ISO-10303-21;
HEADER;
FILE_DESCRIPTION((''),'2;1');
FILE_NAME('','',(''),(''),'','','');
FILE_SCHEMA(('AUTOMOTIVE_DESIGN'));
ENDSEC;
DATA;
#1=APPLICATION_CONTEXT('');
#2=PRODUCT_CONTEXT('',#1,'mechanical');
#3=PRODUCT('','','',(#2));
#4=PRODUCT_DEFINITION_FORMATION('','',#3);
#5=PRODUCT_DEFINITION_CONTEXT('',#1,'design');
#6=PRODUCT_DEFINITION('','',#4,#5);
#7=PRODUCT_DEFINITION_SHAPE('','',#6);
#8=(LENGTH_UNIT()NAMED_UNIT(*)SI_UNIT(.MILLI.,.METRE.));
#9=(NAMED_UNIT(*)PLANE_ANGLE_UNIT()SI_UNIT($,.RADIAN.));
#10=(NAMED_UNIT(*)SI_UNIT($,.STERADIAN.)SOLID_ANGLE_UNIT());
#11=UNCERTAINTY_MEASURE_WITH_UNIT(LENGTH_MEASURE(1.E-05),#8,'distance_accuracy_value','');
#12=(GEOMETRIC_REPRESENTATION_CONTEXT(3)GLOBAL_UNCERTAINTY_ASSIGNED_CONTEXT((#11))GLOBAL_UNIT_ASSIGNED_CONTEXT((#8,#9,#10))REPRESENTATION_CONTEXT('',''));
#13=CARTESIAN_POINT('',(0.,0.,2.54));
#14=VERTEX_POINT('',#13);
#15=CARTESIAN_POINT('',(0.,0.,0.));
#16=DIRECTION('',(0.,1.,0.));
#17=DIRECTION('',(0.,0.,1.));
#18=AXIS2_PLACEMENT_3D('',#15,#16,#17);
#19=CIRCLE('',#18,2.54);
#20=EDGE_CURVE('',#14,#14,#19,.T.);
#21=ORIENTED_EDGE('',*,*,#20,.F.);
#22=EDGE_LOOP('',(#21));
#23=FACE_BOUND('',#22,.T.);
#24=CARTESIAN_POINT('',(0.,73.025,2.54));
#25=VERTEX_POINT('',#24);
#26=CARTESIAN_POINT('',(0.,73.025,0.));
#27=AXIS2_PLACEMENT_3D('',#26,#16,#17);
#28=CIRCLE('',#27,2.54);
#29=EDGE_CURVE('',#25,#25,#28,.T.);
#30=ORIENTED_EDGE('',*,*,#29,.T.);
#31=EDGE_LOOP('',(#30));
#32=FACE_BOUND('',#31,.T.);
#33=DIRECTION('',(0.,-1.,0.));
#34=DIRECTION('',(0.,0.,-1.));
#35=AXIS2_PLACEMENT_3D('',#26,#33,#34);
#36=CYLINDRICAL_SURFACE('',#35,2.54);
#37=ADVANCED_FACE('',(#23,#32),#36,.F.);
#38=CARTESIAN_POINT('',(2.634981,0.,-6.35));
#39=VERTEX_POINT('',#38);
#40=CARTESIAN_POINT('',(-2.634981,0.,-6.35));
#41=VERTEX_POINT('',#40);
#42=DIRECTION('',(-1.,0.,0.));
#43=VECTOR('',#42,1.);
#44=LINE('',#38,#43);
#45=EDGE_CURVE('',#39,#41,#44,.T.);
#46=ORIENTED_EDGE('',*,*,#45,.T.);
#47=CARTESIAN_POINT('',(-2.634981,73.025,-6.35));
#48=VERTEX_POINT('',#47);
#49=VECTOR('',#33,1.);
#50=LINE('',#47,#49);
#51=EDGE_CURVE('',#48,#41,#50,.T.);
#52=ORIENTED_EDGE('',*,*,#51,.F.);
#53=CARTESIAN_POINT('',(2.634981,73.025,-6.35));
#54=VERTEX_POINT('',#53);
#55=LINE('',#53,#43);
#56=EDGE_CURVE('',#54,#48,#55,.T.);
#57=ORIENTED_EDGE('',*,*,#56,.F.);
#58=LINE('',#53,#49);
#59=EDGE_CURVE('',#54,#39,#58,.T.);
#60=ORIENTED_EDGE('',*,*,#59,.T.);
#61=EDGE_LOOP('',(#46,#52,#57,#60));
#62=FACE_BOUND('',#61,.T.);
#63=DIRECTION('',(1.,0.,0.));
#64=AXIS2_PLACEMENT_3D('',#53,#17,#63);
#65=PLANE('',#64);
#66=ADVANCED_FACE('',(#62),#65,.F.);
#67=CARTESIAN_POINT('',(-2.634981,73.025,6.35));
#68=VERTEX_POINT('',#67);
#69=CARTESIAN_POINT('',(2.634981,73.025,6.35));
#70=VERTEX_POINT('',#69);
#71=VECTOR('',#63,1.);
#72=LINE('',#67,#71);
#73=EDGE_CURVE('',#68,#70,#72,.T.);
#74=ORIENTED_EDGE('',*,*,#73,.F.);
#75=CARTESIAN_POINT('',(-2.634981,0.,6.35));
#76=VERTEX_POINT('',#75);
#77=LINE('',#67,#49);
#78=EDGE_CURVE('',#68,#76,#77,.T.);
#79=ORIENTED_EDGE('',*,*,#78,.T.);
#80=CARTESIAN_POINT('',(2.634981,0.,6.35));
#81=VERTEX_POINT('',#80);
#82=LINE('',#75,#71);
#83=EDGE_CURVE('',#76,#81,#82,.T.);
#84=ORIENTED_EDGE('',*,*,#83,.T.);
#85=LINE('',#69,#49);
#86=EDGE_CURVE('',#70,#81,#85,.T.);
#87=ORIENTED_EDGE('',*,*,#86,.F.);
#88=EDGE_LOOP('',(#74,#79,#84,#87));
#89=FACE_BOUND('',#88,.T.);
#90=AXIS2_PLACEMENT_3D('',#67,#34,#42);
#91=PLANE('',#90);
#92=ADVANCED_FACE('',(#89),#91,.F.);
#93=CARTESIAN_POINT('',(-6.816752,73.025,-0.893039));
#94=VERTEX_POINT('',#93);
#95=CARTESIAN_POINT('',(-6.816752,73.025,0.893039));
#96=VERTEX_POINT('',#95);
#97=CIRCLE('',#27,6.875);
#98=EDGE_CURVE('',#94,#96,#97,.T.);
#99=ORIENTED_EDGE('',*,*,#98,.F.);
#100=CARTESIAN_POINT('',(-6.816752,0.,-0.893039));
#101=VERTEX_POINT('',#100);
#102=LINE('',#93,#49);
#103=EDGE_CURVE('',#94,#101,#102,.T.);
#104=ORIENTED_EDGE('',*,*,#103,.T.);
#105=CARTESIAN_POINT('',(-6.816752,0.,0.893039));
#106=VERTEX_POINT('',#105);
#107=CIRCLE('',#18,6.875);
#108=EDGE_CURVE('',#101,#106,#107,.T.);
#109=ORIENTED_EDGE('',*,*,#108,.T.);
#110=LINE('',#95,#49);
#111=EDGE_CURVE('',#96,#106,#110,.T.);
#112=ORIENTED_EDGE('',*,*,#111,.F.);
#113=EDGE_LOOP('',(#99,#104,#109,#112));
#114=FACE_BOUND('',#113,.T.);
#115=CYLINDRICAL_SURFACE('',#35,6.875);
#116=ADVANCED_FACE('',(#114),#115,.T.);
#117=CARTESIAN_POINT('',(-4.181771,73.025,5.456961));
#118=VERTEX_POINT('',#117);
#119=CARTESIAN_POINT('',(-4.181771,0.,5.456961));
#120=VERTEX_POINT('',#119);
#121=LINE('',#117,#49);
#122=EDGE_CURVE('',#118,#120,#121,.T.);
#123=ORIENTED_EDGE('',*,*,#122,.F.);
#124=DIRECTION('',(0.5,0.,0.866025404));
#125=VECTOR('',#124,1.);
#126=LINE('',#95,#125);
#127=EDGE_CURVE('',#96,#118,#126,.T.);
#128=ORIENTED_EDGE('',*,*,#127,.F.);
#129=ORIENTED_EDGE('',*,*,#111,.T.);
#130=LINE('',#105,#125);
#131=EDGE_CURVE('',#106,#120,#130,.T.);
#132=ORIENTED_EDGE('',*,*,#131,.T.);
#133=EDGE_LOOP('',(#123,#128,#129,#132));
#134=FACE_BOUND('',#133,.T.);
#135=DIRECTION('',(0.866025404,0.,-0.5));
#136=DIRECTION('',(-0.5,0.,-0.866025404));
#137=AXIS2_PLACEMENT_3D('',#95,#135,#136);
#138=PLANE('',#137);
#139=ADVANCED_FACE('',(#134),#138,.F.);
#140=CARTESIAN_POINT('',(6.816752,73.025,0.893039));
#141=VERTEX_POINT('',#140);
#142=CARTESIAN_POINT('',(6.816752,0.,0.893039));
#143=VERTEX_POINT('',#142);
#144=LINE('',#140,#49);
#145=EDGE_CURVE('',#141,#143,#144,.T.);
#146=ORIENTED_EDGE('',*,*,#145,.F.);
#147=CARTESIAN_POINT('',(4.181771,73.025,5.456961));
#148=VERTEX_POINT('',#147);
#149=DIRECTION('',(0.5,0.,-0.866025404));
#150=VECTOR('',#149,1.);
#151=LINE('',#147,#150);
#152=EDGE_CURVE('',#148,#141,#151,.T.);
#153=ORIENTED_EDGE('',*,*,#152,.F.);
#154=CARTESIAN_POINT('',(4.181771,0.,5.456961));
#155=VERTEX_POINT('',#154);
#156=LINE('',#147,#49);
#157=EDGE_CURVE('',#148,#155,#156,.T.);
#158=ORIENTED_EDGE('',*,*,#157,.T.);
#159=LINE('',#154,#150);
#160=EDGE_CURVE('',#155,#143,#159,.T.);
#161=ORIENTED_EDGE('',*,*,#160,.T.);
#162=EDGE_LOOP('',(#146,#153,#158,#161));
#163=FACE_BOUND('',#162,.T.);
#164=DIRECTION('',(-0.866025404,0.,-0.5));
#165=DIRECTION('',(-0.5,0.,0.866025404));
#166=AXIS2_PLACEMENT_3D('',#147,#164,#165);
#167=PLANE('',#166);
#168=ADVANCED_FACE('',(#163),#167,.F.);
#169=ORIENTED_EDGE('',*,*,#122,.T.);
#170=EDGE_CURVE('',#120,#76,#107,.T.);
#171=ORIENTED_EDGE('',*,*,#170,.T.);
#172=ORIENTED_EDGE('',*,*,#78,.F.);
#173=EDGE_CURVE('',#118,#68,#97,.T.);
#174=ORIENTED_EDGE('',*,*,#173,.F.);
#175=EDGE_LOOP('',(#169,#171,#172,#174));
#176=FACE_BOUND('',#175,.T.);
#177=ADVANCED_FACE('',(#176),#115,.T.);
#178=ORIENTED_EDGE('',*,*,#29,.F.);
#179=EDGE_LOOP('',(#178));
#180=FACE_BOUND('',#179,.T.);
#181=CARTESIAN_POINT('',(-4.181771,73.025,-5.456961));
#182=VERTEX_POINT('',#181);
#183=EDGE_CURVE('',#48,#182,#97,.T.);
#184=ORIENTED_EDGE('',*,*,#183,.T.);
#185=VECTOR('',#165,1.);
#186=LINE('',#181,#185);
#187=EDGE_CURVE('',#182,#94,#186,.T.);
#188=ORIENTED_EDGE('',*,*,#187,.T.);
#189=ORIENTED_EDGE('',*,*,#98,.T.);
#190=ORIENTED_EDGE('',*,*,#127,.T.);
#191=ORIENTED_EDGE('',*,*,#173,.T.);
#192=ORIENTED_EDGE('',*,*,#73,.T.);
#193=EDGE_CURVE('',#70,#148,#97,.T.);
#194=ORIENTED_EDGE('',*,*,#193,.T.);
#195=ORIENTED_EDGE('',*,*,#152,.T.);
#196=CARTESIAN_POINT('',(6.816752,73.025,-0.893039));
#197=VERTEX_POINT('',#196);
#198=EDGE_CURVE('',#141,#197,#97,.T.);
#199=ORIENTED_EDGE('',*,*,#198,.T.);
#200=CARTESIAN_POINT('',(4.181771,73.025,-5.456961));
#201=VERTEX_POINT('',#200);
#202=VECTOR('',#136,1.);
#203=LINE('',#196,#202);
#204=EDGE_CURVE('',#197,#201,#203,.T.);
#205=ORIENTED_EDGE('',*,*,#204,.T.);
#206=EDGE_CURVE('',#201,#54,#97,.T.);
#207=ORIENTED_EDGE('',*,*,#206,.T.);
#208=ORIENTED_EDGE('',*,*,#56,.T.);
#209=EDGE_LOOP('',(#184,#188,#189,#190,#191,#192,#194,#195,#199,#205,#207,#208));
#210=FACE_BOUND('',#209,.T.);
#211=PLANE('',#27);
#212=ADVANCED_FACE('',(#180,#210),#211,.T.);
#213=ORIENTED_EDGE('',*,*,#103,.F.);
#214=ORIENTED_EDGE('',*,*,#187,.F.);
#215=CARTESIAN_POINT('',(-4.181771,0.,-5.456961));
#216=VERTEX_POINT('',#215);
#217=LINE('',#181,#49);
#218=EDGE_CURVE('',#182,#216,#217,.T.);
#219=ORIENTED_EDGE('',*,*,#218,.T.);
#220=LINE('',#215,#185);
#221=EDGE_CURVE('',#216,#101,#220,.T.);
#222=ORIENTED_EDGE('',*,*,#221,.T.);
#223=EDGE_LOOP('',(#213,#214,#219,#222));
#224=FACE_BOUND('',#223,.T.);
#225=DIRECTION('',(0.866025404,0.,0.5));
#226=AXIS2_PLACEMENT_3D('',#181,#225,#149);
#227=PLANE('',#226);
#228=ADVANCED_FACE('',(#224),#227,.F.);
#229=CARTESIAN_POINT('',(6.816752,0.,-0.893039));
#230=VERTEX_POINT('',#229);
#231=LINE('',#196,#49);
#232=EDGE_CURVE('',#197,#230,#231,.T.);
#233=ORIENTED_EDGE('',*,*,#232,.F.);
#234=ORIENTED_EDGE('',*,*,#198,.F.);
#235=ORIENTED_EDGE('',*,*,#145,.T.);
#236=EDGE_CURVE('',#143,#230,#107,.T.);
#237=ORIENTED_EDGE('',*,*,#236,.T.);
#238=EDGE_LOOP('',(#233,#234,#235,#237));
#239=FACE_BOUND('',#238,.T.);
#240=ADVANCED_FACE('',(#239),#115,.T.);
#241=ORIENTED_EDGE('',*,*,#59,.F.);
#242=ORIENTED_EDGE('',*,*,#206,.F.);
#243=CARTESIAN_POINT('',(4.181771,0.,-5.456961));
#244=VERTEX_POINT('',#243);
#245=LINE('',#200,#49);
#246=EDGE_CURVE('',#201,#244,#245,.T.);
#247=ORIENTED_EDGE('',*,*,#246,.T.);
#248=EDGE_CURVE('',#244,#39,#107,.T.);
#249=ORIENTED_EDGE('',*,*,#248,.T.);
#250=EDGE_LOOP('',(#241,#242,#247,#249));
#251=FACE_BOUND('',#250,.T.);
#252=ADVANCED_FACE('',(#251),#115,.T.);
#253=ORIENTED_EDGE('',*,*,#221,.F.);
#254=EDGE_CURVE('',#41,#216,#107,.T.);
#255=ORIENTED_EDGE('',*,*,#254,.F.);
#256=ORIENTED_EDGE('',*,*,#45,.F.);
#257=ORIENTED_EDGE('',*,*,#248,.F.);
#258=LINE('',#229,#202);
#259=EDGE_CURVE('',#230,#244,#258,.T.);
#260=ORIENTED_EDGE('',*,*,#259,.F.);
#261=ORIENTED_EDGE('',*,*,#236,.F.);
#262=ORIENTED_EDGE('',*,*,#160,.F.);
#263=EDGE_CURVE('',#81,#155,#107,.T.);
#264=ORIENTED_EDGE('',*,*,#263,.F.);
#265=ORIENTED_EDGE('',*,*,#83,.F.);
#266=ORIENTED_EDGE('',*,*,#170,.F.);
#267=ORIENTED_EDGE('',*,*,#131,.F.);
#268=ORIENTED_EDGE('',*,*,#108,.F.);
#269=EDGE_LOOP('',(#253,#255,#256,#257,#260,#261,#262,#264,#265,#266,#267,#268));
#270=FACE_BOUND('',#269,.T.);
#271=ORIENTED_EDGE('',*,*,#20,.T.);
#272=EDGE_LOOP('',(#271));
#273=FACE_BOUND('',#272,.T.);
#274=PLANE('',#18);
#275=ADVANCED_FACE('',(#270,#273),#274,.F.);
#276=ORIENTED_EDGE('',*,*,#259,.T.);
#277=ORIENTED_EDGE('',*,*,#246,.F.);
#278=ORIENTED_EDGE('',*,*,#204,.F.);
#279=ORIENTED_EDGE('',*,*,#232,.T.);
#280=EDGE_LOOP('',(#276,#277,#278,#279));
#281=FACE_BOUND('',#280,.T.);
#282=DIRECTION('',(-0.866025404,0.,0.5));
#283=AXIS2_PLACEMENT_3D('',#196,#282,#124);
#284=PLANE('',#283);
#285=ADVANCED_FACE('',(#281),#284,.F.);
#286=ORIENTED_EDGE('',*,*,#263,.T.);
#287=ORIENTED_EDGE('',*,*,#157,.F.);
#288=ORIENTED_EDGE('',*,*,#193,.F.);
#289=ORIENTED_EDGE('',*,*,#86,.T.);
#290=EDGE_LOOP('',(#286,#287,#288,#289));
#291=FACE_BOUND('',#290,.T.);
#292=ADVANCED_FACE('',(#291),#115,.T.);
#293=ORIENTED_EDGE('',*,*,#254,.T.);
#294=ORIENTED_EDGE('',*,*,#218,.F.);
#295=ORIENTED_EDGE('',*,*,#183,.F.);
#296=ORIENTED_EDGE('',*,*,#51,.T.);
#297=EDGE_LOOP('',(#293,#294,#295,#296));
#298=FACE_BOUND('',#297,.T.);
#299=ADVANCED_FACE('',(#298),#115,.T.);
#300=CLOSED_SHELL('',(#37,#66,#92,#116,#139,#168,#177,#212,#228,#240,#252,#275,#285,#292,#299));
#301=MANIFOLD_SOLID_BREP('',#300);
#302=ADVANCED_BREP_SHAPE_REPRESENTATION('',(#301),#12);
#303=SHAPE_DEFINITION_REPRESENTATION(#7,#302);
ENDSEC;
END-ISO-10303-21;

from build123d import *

# Parameters (mm, degrees)
SKETCH1_R           = 2.54
BOSS_EXTRUDE1_DEPTH = 73.025


with BuildPart() as part:
    # Sketch1 → Boss-Extrude1 (new body)
    with BuildSketch(Plane(origin=(0, 0, 0), x_dir=(1, 0, 0), z_dir=(0, 1, 0))):
        with BuildLine():
            Line((4.181770802, -5.456960506), (6.816751826, -0.893039494))
            ThreePointArc((6.816751826, -0.893039494), (6.875, 0), (6.816751826, 0.893039494))
            Line((6.816751826, 0.893039494), (4.181770802, 5.456960506))
            ThreePointArc((4.181770802, 5.456960506), (3.4375, 5.953924651), (2.634981025, 6.35))
            Line((2.634981025, 6.35), (-2.634981025, 6.35))
            ThreePointArc((-2.634981025, 6.35), (-3.4375, 5.953924651), (-4.181770802, 5.456960506))
            Line((-4.181770802, 5.456960506), (-6.816751826, 0.893039494))
            ThreePointArc((-6.816751826, 0.893039494), (-6.875, 0), (-6.816751826, -0.893039494))
            Line((-6.816751826, -0.893039494), (-4.181770802, -5.456960506))
            ThreePointArc((-4.181770802, -5.456960506), (-3.4375, -5.953924651), (-2.634981025, -6.35))
            Line((-2.634981025, -6.35), (2.634981025, -6.35))
            ThreePointArc((2.634981025, -6.35), (3.4375, -5.953924651), (4.181770802, -5.456960506))
        make_face()
        with Locations(Location((0, 0, 0), (0, 0, 270))):  # turned: the seam where the file's is
            Circle(SKETCH1_R, mode=Mode.SUBTRACT)
    extrude(amount=BOSS_EXTRUDE1_DEPTH)


solid = part.part
